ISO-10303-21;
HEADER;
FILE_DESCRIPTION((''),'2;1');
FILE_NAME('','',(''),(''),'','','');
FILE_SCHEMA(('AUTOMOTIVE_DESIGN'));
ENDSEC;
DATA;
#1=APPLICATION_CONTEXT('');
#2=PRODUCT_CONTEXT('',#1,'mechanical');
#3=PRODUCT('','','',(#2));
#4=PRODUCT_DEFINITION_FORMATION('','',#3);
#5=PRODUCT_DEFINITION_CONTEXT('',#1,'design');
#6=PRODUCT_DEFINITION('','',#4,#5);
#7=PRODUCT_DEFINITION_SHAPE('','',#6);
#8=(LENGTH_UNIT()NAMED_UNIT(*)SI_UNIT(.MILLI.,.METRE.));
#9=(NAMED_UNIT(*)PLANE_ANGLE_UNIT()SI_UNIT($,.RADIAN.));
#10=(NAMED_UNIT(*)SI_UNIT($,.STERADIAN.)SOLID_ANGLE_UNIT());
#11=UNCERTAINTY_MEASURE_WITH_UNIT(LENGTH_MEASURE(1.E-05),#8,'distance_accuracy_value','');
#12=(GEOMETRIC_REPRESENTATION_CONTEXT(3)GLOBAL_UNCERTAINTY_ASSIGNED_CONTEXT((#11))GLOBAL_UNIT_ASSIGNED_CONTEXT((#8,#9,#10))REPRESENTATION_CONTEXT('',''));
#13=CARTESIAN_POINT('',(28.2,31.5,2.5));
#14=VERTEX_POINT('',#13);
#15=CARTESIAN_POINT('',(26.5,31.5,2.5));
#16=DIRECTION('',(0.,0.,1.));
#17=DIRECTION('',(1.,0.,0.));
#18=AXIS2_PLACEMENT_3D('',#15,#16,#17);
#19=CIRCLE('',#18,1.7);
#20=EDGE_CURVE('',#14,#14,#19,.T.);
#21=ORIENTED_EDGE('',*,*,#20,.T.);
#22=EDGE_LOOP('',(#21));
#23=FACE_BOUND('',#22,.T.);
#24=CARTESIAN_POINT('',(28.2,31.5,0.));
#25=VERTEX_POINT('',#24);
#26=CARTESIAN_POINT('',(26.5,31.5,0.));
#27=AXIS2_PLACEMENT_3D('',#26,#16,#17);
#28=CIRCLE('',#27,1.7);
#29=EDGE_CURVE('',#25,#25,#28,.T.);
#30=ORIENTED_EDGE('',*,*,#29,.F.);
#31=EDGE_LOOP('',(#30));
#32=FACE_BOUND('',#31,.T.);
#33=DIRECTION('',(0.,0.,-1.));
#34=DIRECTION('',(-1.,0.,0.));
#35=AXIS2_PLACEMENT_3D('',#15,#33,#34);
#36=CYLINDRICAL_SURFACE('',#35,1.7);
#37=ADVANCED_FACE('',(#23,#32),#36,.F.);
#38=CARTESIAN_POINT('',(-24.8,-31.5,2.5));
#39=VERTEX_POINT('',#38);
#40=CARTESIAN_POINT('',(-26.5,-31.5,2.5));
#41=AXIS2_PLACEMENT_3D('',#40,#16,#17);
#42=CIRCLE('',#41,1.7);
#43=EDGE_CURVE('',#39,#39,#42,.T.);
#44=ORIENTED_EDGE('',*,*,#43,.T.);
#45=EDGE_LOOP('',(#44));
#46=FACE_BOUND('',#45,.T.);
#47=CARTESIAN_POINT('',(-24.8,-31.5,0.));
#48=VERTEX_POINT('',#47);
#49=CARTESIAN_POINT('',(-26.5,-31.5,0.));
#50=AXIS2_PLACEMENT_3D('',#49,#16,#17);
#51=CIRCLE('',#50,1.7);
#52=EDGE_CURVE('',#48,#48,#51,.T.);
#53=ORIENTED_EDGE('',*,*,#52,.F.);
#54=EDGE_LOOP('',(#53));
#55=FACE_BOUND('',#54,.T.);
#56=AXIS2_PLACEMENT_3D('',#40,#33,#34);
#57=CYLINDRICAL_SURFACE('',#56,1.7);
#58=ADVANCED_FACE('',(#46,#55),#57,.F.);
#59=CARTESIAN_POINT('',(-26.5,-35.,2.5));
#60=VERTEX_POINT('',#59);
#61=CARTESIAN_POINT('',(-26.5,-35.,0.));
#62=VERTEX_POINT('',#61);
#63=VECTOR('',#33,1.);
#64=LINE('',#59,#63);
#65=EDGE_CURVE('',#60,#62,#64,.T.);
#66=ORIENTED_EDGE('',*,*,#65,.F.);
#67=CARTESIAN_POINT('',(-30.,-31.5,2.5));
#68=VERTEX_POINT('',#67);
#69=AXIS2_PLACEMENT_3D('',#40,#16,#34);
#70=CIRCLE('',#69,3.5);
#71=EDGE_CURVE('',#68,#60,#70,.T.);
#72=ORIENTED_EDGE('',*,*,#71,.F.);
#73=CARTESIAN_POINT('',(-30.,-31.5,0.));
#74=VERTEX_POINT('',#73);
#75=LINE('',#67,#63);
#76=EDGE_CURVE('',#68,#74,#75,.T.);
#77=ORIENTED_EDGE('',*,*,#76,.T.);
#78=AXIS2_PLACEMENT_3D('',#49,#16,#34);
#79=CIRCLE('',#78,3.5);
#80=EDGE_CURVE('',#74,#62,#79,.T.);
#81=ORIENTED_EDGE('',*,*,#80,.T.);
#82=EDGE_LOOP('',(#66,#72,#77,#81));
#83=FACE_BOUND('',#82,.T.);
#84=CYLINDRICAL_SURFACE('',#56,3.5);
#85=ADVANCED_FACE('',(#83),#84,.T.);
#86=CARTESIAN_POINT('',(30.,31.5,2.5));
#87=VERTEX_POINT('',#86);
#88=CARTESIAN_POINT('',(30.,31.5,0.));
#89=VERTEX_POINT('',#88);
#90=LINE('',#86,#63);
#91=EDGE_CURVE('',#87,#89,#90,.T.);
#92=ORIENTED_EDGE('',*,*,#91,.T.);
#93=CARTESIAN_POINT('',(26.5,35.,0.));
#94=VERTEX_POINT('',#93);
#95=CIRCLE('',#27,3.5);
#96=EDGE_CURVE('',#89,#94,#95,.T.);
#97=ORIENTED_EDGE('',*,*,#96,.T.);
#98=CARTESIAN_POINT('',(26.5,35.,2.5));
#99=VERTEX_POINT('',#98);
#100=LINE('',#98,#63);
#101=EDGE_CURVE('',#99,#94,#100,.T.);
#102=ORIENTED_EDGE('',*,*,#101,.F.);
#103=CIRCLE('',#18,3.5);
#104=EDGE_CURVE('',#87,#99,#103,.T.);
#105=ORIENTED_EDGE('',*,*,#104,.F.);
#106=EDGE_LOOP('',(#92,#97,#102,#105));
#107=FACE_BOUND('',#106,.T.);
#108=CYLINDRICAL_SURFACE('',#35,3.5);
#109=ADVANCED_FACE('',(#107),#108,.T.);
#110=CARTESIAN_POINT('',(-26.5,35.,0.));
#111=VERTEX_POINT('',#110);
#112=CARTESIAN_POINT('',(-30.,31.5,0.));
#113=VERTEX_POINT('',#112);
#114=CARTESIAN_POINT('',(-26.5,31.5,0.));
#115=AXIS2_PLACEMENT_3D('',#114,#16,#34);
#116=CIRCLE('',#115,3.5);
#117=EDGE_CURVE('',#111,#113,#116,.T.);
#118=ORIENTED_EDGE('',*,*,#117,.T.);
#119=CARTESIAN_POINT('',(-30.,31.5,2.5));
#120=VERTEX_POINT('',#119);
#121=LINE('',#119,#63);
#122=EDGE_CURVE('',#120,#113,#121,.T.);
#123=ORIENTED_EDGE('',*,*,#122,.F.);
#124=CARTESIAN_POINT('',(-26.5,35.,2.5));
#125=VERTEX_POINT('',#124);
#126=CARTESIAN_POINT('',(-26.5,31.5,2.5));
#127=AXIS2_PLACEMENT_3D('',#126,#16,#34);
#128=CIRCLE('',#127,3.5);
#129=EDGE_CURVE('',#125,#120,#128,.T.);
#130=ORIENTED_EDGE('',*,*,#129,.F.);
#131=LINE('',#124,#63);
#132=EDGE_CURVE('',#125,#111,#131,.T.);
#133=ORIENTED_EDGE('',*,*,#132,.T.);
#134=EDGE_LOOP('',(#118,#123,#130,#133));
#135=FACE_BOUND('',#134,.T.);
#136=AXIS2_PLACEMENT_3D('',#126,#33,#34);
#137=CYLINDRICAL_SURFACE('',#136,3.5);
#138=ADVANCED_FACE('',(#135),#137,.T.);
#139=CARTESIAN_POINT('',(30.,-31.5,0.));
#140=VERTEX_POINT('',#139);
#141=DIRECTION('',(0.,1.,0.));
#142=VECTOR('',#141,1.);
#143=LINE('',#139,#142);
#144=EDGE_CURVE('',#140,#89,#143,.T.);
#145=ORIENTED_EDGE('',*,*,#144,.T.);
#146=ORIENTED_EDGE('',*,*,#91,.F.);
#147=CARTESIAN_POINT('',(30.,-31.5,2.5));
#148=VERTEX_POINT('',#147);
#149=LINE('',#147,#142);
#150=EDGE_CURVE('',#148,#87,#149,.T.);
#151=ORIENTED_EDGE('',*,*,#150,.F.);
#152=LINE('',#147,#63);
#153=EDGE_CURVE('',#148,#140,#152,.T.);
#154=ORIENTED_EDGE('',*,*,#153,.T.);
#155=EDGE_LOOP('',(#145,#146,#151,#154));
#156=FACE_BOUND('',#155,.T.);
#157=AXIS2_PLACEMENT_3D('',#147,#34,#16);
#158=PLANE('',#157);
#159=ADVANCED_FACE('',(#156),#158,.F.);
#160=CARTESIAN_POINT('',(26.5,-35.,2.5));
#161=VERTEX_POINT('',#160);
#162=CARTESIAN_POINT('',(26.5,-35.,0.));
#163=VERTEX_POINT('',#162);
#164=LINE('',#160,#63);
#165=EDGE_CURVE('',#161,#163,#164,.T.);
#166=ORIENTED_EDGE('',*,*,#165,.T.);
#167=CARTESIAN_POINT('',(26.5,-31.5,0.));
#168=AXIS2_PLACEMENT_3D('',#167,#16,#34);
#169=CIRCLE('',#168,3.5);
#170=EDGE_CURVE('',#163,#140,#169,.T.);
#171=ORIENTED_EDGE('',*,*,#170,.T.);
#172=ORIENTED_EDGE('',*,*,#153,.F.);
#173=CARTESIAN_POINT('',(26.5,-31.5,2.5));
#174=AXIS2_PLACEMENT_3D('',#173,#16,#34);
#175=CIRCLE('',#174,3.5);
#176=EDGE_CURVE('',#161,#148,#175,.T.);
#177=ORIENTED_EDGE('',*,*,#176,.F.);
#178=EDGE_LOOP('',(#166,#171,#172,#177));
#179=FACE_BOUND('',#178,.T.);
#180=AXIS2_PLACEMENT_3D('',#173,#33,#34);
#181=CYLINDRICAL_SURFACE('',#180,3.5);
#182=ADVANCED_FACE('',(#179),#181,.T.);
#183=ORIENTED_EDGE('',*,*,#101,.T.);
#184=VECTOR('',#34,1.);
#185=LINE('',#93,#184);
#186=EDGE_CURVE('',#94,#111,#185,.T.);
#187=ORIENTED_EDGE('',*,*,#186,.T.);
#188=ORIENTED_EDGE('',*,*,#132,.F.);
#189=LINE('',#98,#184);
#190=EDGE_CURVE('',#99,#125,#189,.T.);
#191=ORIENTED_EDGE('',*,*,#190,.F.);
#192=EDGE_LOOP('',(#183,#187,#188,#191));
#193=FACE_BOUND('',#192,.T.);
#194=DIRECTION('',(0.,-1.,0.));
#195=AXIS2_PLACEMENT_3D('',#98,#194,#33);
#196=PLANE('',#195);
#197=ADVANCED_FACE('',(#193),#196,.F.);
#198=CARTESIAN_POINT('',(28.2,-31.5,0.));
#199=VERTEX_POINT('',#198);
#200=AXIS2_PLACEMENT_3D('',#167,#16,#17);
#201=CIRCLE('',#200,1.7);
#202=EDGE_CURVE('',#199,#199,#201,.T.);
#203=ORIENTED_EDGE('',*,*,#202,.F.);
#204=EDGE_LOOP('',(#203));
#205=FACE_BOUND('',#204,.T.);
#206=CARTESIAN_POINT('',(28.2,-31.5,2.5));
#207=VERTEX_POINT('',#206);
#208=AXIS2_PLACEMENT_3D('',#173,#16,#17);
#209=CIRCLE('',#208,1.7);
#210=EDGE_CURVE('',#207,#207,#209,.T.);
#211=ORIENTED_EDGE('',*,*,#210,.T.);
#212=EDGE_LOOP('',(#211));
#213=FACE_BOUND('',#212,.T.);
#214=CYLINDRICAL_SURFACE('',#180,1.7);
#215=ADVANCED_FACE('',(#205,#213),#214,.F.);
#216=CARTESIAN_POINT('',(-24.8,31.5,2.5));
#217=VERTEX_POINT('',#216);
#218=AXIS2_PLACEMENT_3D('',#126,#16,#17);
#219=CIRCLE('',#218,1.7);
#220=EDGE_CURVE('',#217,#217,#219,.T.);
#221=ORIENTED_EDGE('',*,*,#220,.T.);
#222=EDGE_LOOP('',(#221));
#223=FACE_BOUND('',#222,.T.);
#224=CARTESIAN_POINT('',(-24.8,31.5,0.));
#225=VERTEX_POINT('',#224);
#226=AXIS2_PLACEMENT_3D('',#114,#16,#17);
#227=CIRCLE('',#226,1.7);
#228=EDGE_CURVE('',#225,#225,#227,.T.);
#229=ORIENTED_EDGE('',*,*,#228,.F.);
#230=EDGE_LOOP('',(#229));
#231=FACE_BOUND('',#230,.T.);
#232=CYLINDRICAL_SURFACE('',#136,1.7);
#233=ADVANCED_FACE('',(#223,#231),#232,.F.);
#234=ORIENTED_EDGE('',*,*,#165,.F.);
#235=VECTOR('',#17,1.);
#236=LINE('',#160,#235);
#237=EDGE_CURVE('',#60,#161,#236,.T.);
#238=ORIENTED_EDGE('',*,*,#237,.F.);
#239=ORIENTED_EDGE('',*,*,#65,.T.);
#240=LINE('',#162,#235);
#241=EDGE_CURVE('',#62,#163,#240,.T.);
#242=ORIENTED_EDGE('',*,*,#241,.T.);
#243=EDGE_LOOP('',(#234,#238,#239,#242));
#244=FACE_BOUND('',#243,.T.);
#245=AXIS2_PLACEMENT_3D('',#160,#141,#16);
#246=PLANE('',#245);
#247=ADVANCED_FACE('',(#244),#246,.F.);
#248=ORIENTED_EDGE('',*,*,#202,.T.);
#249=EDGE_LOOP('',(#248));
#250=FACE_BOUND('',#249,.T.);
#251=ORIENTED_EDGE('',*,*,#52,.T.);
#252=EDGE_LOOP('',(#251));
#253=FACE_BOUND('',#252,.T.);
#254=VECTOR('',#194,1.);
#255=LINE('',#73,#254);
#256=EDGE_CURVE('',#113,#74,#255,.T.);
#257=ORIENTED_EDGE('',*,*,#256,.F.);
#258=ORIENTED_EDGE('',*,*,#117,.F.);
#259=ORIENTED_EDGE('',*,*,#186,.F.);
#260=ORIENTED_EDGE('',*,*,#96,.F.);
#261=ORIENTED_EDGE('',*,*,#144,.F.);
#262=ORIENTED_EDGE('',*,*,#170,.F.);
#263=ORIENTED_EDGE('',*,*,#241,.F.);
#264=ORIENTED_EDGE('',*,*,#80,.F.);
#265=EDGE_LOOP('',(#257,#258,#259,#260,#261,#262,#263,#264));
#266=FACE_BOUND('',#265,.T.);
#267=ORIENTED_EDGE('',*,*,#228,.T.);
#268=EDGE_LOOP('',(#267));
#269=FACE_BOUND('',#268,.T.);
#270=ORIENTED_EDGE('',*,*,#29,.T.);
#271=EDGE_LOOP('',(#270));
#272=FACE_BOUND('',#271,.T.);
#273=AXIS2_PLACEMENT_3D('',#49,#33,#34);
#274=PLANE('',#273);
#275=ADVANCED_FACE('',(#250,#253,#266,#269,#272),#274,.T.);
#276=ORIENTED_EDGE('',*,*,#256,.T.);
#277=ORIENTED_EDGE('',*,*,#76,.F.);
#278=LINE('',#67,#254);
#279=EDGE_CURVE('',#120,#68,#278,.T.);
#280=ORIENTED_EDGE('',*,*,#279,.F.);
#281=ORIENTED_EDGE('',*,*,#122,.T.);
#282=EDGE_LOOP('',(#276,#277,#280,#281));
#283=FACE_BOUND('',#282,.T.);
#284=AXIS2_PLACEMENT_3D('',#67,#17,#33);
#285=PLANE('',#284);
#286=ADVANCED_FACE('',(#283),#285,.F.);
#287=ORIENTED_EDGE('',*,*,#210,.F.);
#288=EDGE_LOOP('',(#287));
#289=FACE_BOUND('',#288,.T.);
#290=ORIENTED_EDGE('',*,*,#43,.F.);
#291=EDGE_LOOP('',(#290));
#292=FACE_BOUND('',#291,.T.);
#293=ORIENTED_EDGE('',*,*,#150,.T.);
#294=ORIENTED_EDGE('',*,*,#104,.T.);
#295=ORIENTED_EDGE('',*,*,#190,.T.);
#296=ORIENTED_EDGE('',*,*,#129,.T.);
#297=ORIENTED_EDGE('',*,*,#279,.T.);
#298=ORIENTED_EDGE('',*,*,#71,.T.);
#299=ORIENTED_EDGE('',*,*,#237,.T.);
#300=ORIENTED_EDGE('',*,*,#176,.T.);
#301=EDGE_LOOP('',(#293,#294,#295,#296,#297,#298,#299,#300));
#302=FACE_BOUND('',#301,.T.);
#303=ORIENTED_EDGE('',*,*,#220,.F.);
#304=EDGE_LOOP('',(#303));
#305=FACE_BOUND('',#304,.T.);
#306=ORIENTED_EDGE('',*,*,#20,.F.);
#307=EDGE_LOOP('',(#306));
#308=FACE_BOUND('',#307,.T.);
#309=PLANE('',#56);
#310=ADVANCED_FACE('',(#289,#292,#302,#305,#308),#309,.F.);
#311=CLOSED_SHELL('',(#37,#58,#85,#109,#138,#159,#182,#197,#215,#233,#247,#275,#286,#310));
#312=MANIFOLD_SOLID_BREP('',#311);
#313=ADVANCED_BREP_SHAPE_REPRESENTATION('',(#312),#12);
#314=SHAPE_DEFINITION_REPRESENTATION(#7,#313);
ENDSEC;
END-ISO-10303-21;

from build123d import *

# Parameters (mm, degrees)
SKETCH1_R           = 1.7
BOSS_EXTRUDE1_DEPTH = 2.5


with BuildPart() as part:
    # Sketch1 → Boss-Extrude1 (new body)
    with BuildSketch(Plane(origin=(0, 0, 0), x_dir=(0, 1, 0), z_dir=(0, 0, 1))):
        with BuildLine():
            Line((-31.5, -30), (31.5, -30))
            ThreePointArc((31.5, -30), (33.974873734, -28.974873734), (35, -26.5))
            Line((35, -26.5), (35, 26.5))
            ThreePointArc((35, 26.5), (33.974873734, 28.974873734), (31.5, 30))
            Line((31.5, 30), (-31.5, 30))
            ThreePointArc((-31.5, 30), (-33.974873734, 28.974873734), (-35, 26.5))
            Line((-35, 26.5), (-35, -26.5))
            ThreePointArc((-35, -26.5), (-33.974873734, -28.974873734), (-31.5, -30))
        make_face()
        with Locations(Location((-31.5, -26.5, 0), (0, 0, 270))):
            Circle(SKETCH1_R, mode=Mode.SUBTRACT)
        with Locations(Location((-31.5, 26.5, 0), (0, 0, 270))):
            Circle(SKETCH1_R, mode=Mode.SUBTRACT)
        with Locations(Location((31.5, 26.5, 0), (0, 0, 270))):
            Circle(SKETCH1_R, mode=Mode.SUBTRACT)
        with Locations(Location((31.5, -26.5, 0), (0, 0, 270))):
            Circle(SKETCH1_R, mode=Mode.SUBTRACT)
    extrude(amount=BOSS_EXTRUDE1_DEPTH)


solid = part.part
